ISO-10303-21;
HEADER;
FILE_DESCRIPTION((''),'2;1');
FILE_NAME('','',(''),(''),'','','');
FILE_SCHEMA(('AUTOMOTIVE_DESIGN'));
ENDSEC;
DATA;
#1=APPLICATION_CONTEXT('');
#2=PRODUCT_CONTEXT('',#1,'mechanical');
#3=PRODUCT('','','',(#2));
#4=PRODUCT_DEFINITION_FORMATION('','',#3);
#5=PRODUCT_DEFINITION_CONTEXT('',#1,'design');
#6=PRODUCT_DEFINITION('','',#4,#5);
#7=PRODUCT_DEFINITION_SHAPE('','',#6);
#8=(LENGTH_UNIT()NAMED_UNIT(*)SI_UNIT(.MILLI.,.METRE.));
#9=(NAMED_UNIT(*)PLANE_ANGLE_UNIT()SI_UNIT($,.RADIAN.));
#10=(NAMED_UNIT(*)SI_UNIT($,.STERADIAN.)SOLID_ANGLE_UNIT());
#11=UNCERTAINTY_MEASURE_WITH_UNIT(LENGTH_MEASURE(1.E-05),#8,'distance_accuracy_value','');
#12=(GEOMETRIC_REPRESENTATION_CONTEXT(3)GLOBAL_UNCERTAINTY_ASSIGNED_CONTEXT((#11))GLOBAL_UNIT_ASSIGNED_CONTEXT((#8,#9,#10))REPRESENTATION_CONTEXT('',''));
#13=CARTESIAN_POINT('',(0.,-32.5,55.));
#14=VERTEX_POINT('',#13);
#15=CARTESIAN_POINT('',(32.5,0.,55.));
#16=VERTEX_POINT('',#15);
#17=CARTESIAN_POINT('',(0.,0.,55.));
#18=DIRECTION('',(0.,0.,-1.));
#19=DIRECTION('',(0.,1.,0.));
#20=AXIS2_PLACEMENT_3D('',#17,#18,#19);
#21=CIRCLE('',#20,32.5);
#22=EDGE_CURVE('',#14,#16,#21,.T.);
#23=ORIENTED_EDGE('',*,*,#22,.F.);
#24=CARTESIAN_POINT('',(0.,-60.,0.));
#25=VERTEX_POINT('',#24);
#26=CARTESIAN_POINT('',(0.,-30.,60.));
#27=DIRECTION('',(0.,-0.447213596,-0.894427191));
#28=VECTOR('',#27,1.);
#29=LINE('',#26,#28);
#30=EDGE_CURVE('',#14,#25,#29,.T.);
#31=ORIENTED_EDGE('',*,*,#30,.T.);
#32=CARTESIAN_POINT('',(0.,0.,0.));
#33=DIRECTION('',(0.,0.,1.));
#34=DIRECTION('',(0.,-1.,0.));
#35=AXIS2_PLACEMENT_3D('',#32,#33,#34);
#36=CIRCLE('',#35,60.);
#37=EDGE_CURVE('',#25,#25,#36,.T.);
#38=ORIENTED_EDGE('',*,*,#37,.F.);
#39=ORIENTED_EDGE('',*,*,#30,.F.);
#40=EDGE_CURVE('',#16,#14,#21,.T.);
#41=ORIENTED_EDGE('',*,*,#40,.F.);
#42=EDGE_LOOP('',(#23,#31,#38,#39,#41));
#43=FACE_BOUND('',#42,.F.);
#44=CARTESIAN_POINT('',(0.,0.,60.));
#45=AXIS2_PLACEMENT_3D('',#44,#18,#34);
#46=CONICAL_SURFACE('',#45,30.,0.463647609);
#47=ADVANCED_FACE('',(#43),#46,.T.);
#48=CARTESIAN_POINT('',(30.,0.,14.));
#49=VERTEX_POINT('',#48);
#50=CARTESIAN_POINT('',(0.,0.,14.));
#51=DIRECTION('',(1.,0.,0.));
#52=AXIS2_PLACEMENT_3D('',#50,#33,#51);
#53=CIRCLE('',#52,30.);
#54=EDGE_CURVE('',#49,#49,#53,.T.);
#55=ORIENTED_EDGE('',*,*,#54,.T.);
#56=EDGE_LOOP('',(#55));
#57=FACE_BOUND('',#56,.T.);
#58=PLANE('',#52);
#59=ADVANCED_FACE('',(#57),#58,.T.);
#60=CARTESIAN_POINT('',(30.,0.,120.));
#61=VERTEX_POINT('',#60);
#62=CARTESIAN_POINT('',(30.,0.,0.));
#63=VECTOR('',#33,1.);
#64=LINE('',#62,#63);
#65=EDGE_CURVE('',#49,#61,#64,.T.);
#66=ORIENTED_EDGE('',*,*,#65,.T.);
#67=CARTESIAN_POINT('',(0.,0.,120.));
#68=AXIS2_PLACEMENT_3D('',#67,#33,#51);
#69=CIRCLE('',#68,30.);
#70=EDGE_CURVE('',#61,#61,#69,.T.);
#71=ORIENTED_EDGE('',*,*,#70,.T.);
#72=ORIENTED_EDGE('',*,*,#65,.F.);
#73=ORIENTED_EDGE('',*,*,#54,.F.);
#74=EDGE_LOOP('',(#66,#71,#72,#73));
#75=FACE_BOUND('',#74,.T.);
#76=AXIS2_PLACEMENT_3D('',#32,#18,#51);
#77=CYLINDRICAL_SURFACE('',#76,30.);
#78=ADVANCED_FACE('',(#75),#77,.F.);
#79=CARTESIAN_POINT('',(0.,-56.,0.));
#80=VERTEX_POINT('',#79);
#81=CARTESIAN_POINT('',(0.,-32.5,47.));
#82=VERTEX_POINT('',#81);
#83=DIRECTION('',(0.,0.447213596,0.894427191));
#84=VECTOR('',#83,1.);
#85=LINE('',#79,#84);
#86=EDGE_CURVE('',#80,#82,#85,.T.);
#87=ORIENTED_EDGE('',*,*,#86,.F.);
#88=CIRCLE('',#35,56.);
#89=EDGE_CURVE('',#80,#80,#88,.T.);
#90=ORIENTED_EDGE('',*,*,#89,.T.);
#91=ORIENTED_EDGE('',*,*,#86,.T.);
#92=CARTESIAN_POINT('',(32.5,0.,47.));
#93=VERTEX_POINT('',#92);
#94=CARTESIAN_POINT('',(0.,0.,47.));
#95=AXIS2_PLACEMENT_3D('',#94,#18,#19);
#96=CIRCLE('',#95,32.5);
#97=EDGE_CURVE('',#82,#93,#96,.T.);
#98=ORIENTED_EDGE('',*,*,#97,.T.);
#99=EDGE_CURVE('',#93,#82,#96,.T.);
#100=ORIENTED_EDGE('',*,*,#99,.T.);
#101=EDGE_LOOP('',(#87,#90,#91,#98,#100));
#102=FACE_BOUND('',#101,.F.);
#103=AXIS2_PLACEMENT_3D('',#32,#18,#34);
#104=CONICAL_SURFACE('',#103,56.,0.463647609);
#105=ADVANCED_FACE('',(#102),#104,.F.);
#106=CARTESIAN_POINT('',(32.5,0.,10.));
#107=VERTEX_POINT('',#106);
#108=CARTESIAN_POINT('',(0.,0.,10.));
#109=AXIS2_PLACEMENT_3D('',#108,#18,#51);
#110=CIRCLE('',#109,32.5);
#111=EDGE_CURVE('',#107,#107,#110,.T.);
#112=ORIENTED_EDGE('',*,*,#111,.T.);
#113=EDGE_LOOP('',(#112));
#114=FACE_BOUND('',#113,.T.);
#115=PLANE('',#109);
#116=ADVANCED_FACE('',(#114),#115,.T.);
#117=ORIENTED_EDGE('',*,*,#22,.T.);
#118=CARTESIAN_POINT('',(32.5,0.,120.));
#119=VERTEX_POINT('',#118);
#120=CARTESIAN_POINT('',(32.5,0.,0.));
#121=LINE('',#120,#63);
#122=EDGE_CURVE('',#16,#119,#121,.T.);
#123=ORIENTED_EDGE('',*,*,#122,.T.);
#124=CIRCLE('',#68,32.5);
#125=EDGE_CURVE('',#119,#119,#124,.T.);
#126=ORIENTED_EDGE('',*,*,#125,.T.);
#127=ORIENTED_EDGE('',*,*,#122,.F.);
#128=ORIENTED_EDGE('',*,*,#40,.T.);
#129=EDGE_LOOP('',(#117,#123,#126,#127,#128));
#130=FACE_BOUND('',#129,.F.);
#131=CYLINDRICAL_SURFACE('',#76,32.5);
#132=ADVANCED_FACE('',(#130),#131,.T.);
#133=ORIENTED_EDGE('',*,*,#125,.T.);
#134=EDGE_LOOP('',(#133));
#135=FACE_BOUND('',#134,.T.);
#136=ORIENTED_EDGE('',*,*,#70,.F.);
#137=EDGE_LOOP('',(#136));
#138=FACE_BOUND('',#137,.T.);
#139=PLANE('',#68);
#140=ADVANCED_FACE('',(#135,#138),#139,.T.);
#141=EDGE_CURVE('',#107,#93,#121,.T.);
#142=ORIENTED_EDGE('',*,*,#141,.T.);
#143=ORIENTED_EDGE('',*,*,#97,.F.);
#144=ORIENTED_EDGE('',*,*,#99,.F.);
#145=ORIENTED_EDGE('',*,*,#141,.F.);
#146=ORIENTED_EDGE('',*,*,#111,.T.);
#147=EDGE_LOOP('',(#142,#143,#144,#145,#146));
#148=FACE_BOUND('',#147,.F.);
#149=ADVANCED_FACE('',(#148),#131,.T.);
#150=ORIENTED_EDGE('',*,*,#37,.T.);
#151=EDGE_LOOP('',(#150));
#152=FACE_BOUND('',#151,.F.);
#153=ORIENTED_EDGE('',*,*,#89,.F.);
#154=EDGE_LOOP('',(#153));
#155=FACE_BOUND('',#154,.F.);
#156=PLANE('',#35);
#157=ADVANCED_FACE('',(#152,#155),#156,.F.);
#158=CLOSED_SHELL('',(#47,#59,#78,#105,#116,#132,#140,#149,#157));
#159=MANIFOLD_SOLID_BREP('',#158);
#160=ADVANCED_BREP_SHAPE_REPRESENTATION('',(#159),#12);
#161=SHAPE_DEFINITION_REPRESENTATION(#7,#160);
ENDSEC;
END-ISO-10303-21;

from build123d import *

# Parameters (mm, degrees)
F0_R        = 32.5
F0_R_2      = 30
F1_DEPTH    = 120
F1_FACE_R   = 32.5
F1_FACE_R_2 = 30
F4_DEPTH    = 10
F5_DEPTH    = 14
F5_FACE_R   = 30
F6_DEPTH    = 10


with BuildPart() as f1:
    # F0 (on Top) → F1 (new body)
    with BuildSketch(Plane.XY):
        Circle(F0_R)
        Circle(F0_R_2, mode=Mode.SUBTRACT)
    extrude(amount=F1_DEPTH)

    # F2 (on Right) → F3 (revolve)
    with BuildSketch(Plane.YZ):
        Polygon((-56, 0), (-30, 52), (-30, 60), (-60, 0), align=None)
    revolve(axis=Axis((0, 0, 30), (0, 0, 1)))

    # F1_face (on face) → F4 (cut)
    with BuildSketch(Plane(origin=(0, 0, 0), x_dir=(1, 0, 0), z_dir=(0, 0, -1))):
        Circle(F1_FACE_R)
        Circle(F1_FACE_R_2, mode=Mode.SUBTRACT)
    extrude(amount=-F4_DEPTH, mode=Mode.SUBTRACT)

    # F0 (on Top) → F5 (join)
    with BuildSketch(Plane.XY):
        Circle(F0_R_2)
    extrude(amount=F5_DEPTH)

    # F5_face (on face) → F6 (cut)
    with BuildSketch(Plane(origin=(0, 0, 0), x_dir=(1, 0, 0), z_dir=(0, 0, -1))):
        Circle(F5_FACE_R)
    extrude(amount=-F6_DEPTH, mode=Mode.SUBTRACT)


solid = f1.part
